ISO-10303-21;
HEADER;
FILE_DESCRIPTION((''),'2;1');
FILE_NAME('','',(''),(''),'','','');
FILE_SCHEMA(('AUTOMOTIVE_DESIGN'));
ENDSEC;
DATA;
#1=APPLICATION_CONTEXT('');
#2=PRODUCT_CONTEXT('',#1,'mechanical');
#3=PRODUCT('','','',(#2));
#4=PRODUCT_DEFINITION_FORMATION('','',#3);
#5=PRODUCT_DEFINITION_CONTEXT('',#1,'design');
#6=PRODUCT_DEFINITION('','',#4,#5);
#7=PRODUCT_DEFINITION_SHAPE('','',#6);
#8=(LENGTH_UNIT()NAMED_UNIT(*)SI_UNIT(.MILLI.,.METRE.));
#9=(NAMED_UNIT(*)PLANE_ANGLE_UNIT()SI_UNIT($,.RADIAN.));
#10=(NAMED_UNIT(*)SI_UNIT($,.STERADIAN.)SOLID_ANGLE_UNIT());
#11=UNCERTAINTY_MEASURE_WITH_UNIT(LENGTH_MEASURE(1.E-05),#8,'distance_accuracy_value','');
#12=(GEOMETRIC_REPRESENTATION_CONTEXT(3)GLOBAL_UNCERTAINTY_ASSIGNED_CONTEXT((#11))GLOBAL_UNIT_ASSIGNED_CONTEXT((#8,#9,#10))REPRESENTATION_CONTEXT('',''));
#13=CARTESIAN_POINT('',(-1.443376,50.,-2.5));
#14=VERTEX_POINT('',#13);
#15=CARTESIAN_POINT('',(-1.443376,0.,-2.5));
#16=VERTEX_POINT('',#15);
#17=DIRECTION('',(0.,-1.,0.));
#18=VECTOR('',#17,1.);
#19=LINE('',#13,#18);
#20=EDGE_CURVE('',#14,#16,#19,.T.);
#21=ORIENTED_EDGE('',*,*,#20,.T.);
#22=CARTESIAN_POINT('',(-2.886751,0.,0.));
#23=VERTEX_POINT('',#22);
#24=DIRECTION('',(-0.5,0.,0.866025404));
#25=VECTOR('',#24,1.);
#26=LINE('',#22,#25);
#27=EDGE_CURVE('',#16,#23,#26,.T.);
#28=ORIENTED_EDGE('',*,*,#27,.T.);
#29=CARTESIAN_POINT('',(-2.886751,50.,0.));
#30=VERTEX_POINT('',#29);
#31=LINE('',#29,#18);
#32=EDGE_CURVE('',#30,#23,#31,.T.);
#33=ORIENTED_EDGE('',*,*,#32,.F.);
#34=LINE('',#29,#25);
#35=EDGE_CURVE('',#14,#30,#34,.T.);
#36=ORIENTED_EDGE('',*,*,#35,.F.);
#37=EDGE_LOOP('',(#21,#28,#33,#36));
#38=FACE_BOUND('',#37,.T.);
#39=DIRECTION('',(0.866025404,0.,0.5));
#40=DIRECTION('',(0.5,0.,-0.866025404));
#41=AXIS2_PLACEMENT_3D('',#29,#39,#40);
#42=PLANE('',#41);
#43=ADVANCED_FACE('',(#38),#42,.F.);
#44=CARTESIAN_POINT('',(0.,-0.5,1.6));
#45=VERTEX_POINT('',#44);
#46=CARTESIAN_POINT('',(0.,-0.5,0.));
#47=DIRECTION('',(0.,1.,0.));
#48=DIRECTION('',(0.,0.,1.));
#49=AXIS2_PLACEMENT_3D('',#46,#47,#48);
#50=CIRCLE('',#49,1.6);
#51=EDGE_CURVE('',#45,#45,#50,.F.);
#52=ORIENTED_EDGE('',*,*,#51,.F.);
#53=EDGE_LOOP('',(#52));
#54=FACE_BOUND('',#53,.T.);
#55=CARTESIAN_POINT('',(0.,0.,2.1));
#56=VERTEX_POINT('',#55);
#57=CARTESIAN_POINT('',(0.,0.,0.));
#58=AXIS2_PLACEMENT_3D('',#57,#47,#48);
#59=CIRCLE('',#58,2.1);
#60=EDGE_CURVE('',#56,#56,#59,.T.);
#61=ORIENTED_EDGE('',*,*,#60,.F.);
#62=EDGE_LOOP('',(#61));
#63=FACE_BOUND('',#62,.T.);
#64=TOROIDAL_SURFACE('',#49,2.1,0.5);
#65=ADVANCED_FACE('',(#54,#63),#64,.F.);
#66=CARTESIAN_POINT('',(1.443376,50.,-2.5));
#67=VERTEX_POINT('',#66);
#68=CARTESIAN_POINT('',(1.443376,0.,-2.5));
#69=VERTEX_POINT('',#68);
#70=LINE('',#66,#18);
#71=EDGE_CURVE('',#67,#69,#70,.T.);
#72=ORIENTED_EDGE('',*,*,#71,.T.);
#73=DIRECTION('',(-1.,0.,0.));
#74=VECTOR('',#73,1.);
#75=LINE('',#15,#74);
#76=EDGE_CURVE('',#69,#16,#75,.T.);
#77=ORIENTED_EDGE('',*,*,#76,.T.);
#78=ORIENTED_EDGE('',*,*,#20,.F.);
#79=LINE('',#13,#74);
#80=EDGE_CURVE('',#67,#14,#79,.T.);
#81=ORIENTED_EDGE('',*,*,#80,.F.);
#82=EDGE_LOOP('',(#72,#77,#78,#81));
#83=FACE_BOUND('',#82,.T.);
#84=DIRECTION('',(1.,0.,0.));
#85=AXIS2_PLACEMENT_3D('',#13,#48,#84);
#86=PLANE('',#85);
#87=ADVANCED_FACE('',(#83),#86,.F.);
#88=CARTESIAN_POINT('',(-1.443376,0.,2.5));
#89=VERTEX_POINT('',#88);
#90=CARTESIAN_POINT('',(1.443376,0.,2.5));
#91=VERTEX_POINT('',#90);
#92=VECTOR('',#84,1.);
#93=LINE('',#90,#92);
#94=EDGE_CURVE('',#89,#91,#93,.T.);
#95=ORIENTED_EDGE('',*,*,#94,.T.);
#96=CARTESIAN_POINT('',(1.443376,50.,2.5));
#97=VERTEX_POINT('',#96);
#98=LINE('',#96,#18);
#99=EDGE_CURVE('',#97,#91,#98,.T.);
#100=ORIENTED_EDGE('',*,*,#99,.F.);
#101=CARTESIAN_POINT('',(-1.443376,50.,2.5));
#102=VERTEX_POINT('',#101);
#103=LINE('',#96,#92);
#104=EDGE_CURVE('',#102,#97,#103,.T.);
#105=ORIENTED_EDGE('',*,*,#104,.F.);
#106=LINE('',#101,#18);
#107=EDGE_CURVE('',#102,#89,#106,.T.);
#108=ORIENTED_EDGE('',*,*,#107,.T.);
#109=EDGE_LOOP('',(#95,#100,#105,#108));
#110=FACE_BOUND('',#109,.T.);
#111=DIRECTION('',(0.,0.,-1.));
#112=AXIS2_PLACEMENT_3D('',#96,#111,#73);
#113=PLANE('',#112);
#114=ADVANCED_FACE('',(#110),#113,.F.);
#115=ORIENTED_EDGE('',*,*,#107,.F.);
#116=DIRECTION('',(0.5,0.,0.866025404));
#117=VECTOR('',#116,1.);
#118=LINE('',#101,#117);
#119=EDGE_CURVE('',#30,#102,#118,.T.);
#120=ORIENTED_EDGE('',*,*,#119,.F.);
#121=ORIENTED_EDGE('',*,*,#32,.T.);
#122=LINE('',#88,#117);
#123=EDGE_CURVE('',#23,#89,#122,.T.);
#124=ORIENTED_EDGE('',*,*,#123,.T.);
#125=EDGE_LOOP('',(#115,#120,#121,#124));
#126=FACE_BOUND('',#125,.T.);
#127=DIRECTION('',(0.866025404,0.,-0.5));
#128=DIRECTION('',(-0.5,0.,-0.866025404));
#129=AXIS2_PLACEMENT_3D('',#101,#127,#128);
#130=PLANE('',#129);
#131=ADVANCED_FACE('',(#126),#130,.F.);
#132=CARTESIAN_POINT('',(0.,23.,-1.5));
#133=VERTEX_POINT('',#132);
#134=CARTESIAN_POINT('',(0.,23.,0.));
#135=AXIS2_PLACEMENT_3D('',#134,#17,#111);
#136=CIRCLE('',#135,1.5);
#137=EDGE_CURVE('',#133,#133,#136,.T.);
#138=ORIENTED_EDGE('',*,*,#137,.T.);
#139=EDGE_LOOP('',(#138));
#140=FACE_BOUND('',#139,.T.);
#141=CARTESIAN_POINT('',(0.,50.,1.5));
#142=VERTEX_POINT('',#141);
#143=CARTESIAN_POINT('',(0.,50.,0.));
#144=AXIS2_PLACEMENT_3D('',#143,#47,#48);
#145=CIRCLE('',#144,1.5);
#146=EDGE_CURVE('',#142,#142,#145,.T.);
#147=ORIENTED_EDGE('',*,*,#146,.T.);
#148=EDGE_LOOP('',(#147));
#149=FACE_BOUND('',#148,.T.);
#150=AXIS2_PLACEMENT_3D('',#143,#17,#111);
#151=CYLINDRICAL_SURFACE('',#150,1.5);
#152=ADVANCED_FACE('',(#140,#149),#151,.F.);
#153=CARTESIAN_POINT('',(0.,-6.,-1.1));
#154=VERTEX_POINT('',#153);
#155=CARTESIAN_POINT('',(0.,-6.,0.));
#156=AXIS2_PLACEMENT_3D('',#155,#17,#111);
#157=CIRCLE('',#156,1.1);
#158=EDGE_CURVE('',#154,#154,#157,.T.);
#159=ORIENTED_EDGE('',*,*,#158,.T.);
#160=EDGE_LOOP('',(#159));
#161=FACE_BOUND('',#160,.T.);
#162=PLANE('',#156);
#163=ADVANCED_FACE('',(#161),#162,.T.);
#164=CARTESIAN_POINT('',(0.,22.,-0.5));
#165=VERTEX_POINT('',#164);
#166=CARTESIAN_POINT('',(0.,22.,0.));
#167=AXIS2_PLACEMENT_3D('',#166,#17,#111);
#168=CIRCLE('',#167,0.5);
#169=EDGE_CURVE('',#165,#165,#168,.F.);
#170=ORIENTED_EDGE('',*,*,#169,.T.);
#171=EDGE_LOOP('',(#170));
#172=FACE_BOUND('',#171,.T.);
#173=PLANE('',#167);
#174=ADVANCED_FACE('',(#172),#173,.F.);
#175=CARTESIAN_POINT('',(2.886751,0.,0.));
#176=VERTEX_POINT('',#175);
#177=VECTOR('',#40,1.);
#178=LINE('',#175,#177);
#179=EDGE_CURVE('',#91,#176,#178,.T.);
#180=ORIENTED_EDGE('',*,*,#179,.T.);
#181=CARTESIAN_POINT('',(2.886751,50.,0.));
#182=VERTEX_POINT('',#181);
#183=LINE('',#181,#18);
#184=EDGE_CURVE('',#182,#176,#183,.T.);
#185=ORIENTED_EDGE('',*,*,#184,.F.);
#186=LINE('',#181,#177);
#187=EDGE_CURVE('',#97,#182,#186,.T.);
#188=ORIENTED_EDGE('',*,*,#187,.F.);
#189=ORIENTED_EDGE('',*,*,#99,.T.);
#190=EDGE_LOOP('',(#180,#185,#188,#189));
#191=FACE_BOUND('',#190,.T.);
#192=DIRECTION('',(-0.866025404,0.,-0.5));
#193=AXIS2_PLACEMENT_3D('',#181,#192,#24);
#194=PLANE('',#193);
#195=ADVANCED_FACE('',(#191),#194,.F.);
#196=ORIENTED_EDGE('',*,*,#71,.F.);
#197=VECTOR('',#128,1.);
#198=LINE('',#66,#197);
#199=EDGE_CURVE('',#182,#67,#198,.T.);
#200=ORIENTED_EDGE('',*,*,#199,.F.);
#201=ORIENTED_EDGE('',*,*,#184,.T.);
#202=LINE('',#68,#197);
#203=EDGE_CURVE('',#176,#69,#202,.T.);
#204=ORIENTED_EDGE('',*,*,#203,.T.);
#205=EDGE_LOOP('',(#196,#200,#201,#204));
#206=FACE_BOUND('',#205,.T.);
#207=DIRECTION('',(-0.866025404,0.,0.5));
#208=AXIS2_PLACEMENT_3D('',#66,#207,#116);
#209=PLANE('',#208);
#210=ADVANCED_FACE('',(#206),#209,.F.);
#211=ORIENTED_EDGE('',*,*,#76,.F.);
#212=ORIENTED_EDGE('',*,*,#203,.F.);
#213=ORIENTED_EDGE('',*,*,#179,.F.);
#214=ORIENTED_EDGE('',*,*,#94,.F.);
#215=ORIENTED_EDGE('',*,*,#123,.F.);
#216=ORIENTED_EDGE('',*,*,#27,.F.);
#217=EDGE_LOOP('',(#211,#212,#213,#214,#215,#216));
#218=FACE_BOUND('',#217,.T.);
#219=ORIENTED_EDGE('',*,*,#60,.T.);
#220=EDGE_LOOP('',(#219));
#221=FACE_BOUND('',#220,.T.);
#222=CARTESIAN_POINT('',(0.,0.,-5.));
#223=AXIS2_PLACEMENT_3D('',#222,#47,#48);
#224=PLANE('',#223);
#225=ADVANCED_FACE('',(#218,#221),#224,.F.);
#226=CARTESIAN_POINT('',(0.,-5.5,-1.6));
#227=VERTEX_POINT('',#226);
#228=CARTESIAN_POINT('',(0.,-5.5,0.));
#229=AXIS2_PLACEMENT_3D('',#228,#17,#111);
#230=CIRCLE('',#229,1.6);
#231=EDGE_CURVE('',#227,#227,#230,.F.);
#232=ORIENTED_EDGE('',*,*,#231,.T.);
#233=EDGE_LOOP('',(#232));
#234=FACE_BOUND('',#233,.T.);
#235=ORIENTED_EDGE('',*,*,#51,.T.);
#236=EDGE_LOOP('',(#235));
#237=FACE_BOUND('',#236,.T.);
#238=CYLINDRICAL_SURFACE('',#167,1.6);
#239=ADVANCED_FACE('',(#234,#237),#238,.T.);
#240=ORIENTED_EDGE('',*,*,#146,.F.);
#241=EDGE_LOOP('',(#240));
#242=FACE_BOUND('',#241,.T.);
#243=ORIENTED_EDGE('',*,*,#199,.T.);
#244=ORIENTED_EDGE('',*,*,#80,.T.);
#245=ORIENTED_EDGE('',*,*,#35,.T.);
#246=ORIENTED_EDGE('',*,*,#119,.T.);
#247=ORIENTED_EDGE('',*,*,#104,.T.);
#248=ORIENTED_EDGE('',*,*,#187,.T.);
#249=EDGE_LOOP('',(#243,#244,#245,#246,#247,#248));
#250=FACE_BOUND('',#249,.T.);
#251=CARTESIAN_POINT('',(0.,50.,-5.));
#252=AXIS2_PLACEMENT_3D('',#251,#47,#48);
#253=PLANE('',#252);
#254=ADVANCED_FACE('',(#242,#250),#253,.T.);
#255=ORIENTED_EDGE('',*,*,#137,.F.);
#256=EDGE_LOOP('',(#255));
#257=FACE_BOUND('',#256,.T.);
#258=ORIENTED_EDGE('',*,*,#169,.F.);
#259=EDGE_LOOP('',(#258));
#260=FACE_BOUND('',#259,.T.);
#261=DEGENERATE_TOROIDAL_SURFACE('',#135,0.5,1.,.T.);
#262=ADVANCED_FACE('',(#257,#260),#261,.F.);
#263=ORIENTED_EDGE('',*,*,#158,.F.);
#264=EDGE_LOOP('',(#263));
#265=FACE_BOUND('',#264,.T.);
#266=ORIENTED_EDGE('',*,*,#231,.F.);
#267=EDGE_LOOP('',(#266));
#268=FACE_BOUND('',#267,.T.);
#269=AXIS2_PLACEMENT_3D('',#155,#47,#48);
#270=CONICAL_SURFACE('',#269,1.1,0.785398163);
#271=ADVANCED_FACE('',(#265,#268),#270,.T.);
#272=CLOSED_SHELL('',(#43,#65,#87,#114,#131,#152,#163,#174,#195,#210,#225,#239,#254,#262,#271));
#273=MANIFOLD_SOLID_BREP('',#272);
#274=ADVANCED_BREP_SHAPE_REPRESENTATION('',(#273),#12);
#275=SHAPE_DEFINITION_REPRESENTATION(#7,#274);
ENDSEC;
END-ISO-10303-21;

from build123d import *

# Parameters (mm, degrees)
SKETCH1_R           = 1.5
EXTRUDE1_DEPTH      = 50
EXTRUDE2_DEPTH      = 6
EXTRUDE2_DEPTH_BACK = 22
SKETCH2_R           = 1.6
CHAMFER1_SIZE       = 0.5
FILLET1_R           = 0.5
FILLET2_R           = 1


with BuildPart() as part:
    # Sketch1 → Extrude1 (new body)
    with BuildSketch(Plane(origin=(0, 0, 0), x_dir=(1, 0, 0), z_dir=(0, 1, 0))):
        Polygon((-1.443375673, 2.5), (1.443375673, 2.5), (2.886751346, 0), (1.443375673, -2.5), (-1.443375673, -2.5), (-2.886751346, 0), align=None)
        with Locations(Location((0, 0, 0), (0, 0, 270))):
            Circle(SKETCH1_R, mode=Mode.SUBTRACT)
    extrude(amount=EXTRUDE1_DEPTH)

    # Sketch2 → Extrude2 (add, two sides: drawn at the far end of the back side and taken through both)
    with BuildSketch(Plane.XZ.offset(-EXTRUDE2_DEPTH_BACK)):
        with Locations(Location((0, 0, 0), (0, 0, 270))):
            Circle(SKETCH2_R)
    extrude(amount=EXTRUDE2_DEPTH + EXTRUDE2_DEPTH_BACK)

    # Chamfer1
    chamfer1_edges = [part.edges().sort_by_distance(p)[0] for p in [
        (0, -6, 1.6),
    ]]
    chamfer(chamfer1_edges, length=CHAMFER1_SIZE)

    # Fillet1
    fillet1_edges = [part.edges().sort_by_distance(p)[0] for p in [
        (0, 0, 1.6),
    ]]
    fillet(fillet1_edges, radius=FILLET1_R)

    # Fillet2
    fillet2_edges = [part.edges().sort_by_distance(p)[0] for p in [
        (0, 22, -1.5),
    ]]
    fillet(fillet2_edges, radius=FILLET2_R)


solid = part.part
